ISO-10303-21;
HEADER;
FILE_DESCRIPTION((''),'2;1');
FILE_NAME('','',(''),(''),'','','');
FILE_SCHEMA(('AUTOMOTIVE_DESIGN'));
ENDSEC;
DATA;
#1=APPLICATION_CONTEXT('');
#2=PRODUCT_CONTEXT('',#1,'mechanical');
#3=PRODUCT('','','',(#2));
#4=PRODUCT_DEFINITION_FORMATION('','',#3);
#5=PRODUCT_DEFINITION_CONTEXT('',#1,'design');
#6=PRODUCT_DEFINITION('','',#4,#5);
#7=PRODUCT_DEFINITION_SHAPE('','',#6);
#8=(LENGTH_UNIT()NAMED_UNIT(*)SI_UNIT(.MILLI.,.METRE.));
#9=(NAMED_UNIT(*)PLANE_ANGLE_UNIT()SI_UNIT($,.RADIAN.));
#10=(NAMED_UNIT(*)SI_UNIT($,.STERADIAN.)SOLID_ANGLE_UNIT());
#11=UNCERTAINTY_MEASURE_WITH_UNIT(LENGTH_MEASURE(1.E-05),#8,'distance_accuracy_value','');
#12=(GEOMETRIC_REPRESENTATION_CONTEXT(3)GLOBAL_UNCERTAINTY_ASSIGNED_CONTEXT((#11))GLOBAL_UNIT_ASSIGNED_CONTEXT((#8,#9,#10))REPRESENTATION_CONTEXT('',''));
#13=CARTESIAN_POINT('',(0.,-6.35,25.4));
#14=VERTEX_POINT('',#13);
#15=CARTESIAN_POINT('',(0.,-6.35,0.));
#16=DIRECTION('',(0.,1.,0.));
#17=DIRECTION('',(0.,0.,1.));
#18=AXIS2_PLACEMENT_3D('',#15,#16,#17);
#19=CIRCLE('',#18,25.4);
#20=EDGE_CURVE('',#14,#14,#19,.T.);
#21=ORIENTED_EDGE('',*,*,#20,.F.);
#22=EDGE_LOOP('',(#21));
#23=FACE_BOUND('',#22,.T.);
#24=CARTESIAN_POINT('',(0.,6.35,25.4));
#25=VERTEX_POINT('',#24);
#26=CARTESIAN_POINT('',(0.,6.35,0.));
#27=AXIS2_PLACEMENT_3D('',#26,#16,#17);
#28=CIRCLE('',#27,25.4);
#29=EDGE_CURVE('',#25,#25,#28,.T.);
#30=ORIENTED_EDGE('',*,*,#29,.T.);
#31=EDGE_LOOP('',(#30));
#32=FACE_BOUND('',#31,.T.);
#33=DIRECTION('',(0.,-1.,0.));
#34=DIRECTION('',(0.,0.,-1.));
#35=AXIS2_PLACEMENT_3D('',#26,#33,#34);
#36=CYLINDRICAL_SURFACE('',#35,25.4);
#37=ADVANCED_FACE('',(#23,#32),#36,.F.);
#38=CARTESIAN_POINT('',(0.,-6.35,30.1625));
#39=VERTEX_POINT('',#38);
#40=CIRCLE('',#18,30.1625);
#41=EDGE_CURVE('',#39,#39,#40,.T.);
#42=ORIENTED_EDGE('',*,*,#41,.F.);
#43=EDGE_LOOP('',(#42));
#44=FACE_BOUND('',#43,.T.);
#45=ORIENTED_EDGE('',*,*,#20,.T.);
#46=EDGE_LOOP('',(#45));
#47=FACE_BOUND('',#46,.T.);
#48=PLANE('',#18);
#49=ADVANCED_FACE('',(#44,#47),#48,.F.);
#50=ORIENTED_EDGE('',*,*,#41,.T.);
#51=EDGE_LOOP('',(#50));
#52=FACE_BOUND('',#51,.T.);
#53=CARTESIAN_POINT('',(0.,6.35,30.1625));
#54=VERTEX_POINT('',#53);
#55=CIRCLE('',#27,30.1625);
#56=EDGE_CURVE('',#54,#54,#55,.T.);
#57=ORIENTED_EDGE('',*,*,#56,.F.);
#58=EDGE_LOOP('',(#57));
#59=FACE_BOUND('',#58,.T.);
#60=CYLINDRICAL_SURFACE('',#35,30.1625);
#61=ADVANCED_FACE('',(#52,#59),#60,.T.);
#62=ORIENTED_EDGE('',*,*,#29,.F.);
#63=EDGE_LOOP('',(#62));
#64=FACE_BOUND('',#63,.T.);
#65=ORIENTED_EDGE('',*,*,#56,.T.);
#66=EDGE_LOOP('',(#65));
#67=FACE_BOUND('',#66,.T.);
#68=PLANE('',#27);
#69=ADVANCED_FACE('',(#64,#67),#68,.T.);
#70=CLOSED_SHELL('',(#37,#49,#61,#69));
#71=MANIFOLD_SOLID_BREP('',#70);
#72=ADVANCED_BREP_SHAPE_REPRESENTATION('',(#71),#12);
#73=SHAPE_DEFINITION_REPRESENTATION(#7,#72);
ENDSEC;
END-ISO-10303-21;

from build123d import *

# Parameters (mm, degrees)
SKETCH1_R           = 30.1625
SKETCH1_R_2         = 25.4
BOSS_EXTRUDE1_DEPTH = 6.35


with BuildPart() as part:
    # Sketch1 → Boss-Extrude1 (new, symmetric)
    with BuildSketch(Plane(origin=(0, 0, 0), x_dir=(1, 0, 0), z_dir=(0, 1, 0))):
        with Locations(Location((0, 0, 0), (0, 0, 270))):
            Circle(SKETCH1_R)
        with Locations(Location((0, 0, 0), (0, 0, 270))):
            Circle(SKETCH1_R_2, mode=Mode.SUBTRACT)
    extrude(amount=BOSS_EXTRUDE1_DEPTH, both=True)


solid = part.part
